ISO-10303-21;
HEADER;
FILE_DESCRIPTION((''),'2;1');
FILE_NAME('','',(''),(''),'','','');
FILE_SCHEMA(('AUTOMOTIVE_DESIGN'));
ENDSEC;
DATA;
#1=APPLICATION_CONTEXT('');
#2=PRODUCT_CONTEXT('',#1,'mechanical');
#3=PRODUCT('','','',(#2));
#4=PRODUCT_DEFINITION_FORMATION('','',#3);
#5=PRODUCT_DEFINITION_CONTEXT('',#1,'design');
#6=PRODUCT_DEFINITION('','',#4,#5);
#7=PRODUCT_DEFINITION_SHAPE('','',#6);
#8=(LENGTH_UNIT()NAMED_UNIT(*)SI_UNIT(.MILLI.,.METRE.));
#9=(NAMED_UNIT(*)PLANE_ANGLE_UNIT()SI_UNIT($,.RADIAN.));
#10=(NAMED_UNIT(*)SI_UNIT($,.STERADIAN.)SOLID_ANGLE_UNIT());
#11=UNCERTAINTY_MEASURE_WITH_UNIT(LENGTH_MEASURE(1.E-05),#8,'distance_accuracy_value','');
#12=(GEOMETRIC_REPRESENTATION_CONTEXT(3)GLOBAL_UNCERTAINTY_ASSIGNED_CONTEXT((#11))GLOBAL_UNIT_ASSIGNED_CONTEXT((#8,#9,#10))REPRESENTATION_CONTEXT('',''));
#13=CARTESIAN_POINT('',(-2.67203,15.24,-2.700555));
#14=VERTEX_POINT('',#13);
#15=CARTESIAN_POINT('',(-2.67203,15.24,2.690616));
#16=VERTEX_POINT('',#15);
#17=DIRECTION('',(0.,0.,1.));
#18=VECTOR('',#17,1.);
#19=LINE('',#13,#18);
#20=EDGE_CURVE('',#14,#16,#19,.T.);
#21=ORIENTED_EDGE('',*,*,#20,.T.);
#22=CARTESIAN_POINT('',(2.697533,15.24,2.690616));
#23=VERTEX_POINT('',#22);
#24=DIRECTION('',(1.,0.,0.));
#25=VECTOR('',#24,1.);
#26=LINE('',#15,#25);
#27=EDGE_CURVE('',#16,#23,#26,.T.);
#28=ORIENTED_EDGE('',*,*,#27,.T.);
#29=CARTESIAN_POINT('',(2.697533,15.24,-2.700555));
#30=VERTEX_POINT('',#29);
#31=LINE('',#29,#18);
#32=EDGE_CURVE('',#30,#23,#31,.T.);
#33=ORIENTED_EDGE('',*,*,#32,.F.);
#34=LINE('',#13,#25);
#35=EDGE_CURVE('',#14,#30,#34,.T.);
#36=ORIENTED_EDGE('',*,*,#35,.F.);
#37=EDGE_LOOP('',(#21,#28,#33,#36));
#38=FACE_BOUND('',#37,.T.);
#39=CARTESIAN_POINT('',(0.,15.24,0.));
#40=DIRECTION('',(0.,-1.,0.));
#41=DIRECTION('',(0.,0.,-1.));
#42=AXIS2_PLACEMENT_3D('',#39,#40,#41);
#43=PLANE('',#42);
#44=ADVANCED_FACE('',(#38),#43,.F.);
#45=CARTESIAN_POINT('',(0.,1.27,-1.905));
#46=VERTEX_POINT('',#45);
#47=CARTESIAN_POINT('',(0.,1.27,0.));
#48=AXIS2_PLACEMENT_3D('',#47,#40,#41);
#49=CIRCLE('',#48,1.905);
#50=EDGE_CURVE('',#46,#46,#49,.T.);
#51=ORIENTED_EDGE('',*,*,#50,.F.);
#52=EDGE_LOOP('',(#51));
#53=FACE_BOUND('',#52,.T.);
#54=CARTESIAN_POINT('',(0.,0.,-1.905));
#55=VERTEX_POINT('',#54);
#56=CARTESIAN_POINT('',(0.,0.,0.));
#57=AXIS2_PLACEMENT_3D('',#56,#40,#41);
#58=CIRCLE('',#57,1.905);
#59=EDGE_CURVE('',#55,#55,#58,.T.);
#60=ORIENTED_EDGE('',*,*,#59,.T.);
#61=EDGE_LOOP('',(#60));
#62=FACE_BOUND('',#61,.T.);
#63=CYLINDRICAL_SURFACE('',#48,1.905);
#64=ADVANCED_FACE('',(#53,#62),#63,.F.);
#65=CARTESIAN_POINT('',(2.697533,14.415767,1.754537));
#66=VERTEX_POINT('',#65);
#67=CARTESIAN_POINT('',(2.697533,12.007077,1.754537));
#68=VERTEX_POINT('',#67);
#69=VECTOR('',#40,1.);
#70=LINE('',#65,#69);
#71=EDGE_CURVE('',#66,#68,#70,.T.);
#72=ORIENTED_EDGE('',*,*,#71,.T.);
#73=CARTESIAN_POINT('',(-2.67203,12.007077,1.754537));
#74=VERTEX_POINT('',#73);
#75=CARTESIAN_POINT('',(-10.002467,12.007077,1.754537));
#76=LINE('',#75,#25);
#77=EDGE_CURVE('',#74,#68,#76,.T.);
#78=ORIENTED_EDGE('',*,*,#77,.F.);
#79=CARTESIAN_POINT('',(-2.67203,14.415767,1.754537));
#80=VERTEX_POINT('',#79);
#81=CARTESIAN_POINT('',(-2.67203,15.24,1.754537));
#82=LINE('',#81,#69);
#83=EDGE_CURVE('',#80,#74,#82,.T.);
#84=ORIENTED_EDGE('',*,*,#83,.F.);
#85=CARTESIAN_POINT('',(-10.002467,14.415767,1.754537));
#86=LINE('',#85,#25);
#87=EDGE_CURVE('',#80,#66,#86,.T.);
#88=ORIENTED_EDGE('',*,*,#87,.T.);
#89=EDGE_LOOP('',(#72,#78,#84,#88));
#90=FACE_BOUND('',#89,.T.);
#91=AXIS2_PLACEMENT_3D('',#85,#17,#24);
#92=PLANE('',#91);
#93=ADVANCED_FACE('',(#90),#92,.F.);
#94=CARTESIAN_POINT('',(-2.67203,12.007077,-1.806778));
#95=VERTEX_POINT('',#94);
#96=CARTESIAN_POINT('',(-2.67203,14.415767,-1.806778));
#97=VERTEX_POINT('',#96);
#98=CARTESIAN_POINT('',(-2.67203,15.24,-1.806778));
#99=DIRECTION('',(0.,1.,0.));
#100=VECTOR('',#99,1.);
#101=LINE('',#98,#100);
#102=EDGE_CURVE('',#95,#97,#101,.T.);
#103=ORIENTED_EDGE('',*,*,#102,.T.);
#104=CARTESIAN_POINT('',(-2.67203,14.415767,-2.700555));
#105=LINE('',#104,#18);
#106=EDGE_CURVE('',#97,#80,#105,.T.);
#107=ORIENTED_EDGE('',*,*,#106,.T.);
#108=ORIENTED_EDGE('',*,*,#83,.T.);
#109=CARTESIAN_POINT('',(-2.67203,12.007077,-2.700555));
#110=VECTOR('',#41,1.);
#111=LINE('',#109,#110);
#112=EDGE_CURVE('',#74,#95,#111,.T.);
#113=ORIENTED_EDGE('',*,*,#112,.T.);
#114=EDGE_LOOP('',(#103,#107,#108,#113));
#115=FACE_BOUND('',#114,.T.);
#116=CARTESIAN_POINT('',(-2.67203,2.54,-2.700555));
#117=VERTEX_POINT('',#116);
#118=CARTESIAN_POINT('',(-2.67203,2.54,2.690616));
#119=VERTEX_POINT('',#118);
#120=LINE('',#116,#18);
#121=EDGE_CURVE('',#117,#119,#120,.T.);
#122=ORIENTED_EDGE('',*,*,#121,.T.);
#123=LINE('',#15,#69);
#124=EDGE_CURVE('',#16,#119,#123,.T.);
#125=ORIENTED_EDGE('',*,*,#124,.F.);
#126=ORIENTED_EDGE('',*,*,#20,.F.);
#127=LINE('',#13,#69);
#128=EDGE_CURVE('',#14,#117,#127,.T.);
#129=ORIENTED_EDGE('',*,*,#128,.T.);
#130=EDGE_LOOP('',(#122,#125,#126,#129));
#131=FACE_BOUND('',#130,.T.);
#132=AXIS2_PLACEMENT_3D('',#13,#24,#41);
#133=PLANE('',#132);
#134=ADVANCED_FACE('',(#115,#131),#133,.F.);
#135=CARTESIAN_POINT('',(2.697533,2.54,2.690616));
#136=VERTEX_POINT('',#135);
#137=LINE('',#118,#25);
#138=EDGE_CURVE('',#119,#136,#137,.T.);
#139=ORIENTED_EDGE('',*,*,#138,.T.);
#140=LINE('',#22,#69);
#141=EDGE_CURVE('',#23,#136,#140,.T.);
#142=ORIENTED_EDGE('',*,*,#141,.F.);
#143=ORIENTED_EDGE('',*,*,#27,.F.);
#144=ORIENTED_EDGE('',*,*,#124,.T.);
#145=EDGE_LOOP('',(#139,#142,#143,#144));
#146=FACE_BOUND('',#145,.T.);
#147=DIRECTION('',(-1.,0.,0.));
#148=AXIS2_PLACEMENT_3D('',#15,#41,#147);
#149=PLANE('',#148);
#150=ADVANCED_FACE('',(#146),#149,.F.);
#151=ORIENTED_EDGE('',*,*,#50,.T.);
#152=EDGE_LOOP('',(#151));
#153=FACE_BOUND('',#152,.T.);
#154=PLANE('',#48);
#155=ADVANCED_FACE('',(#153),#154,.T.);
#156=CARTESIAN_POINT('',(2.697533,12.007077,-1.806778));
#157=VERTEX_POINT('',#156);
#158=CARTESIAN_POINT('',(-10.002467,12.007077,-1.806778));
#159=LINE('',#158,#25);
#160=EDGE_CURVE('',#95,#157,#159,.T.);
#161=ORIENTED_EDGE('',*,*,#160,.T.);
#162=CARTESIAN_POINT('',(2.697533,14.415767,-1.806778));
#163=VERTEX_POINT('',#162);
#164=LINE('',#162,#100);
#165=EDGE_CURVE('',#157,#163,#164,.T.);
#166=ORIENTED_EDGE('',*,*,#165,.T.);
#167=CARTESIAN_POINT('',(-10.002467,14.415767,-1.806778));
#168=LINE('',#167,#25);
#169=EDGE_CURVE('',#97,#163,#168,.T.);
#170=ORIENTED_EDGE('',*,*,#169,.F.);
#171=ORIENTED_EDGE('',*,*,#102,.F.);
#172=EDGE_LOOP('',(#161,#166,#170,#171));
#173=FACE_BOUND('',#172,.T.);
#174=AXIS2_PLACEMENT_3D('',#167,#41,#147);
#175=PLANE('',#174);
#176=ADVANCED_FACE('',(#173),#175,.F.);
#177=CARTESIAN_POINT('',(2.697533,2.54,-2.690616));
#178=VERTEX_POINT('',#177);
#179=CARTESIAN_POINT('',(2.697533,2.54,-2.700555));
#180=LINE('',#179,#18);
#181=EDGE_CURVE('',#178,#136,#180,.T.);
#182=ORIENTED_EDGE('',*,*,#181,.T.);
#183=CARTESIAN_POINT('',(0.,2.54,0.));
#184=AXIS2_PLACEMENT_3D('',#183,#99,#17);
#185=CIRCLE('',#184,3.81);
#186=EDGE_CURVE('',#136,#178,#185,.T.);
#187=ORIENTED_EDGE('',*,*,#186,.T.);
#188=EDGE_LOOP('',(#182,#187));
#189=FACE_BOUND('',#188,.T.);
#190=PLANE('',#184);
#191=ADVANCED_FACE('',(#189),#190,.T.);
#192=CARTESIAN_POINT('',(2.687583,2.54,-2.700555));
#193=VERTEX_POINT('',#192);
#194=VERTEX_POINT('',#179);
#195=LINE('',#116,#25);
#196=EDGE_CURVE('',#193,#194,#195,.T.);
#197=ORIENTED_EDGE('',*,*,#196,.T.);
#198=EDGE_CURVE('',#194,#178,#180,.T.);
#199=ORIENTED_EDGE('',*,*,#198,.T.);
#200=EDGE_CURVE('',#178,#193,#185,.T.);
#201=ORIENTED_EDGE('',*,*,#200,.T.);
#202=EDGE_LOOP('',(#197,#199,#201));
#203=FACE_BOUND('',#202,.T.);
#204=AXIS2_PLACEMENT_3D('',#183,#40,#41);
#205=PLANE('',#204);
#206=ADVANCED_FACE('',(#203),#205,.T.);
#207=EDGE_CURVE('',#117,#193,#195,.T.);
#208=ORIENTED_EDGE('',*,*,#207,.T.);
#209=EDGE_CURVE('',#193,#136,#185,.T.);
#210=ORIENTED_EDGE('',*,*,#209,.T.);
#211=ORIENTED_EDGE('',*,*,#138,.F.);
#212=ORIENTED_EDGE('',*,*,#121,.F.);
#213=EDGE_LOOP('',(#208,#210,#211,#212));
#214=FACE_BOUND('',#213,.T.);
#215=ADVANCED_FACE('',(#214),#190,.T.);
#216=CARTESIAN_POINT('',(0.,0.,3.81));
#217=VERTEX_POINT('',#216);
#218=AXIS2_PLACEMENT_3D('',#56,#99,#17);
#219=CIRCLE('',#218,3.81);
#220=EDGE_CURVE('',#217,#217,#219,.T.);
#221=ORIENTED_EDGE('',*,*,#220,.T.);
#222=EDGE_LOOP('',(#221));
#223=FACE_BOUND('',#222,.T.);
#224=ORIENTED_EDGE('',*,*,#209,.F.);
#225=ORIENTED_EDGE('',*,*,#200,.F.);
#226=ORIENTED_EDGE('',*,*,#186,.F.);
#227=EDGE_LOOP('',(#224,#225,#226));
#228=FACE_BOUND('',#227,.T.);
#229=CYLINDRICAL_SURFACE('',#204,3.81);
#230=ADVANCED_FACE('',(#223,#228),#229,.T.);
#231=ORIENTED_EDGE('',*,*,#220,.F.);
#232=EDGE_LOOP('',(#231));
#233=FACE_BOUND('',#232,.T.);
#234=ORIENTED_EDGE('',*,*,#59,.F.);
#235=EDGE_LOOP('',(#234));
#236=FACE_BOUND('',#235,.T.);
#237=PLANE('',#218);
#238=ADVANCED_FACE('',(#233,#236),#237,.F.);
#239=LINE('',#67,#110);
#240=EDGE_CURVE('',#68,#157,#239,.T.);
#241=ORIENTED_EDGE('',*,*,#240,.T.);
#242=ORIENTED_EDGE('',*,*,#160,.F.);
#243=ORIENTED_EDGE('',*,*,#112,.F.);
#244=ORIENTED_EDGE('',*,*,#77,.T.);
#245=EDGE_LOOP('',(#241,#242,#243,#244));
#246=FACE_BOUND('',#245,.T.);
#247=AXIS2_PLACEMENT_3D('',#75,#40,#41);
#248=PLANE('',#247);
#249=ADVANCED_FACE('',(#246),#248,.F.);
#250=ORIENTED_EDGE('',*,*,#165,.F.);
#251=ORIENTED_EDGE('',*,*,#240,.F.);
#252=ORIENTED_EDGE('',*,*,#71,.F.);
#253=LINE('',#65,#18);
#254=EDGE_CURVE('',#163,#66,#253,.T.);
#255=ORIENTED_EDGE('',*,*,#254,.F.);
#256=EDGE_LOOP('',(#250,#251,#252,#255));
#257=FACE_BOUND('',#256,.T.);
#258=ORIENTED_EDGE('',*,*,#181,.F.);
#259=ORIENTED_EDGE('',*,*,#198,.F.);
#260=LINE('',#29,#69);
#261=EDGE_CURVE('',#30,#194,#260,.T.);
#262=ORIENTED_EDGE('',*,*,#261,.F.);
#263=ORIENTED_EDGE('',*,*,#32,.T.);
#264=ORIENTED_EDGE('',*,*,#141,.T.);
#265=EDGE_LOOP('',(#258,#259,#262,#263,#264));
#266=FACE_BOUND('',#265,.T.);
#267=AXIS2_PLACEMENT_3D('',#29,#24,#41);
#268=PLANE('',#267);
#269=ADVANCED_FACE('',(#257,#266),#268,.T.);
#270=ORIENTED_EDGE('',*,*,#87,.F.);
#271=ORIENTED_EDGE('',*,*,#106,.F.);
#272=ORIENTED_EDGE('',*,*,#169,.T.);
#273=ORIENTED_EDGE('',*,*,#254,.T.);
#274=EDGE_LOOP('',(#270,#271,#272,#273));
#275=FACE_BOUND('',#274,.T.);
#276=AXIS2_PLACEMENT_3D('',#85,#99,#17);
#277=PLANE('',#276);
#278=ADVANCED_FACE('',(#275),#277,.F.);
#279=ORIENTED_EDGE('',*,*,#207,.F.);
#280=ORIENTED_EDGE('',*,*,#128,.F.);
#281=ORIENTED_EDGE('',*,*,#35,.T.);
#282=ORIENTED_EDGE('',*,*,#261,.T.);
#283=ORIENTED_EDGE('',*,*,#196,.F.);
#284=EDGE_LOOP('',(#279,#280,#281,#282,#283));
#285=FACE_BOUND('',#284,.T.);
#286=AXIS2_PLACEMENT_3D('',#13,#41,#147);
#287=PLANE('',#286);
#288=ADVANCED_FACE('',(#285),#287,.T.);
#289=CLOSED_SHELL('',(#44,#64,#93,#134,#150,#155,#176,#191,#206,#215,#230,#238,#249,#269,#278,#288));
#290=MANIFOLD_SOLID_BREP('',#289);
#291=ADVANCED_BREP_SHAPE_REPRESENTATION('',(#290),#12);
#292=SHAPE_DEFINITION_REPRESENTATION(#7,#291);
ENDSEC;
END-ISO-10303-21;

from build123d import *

# Parameters (mm, degrees)
SKETCH1_R           = 3.81
BOSS_EXTRUDE1_DEPTH = 2.54
SKETCH2_R           = 1.905
CUT_EXTRUDE2_DEPTH  = 1.27
SKETCH3_W           = 5.369563314
SKETCH3_H           = 5.391171223
BOSS_EXTRUDE2_DEPTH = 12.7
SKETCH4_W           = 3.561314924
SKETCH4_H           = 2.408690502
CUT_EXTRUDE3_DEPTH  = 12.7


with BuildPart() as part:
    # Sketch1 → Boss-Extrude1 (new body)
    with BuildSketch(Plane(origin=(0, 0, 0), x_dir=(1, 0, 0), z_dir=(0, 1, 0))):
        with Locations(Location((0, 0, 0), (0, 0, 270))):
            Circle(SKETCH1_R)
    extrude(amount=BOSS_EXTRUDE1_DEPTH)

    # Sketch2 → Cut-Extrude2 (cut)
    with BuildSketch(Plane.XZ):
        with Locations(Location((0, 0, 0), (0, 0, 270))):
            Circle(SKETCH2_R)
    extrude(amount=-CUT_EXTRUDE2_DEPTH, mode=Mode.SUBTRACT)

    # Sketch3 → Boss-Extrude2 (add)
    with BuildSketch(Plane(origin=(0, 2.54, 0), x_dir=(1, 0, 0), z_dir=(0, 1, 0))):
        with Locations((0.012751297, 0.004969332)):
            Rectangle(SKETCH3_W, SKETCH3_H)
    extrude(amount=BOSS_EXTRUDE2_DEPTH)

    # Sketch4 → Cut-Extrude3 (cut)
    with BuildSketch(Plane(origin=(2.697532954, 0, 0), x_dir=(0, 0, -1), z_dir=(1, 0, 0))):
        with Locations((0.026120509, 13.211421801)):
            Rectangle(SKETCH4_W, SKETCH4_H)
    extrude(amount=-CUT_EXTRUDE3_DEPTH, mode=Mode.SUBTRACT)


solid = part.part
